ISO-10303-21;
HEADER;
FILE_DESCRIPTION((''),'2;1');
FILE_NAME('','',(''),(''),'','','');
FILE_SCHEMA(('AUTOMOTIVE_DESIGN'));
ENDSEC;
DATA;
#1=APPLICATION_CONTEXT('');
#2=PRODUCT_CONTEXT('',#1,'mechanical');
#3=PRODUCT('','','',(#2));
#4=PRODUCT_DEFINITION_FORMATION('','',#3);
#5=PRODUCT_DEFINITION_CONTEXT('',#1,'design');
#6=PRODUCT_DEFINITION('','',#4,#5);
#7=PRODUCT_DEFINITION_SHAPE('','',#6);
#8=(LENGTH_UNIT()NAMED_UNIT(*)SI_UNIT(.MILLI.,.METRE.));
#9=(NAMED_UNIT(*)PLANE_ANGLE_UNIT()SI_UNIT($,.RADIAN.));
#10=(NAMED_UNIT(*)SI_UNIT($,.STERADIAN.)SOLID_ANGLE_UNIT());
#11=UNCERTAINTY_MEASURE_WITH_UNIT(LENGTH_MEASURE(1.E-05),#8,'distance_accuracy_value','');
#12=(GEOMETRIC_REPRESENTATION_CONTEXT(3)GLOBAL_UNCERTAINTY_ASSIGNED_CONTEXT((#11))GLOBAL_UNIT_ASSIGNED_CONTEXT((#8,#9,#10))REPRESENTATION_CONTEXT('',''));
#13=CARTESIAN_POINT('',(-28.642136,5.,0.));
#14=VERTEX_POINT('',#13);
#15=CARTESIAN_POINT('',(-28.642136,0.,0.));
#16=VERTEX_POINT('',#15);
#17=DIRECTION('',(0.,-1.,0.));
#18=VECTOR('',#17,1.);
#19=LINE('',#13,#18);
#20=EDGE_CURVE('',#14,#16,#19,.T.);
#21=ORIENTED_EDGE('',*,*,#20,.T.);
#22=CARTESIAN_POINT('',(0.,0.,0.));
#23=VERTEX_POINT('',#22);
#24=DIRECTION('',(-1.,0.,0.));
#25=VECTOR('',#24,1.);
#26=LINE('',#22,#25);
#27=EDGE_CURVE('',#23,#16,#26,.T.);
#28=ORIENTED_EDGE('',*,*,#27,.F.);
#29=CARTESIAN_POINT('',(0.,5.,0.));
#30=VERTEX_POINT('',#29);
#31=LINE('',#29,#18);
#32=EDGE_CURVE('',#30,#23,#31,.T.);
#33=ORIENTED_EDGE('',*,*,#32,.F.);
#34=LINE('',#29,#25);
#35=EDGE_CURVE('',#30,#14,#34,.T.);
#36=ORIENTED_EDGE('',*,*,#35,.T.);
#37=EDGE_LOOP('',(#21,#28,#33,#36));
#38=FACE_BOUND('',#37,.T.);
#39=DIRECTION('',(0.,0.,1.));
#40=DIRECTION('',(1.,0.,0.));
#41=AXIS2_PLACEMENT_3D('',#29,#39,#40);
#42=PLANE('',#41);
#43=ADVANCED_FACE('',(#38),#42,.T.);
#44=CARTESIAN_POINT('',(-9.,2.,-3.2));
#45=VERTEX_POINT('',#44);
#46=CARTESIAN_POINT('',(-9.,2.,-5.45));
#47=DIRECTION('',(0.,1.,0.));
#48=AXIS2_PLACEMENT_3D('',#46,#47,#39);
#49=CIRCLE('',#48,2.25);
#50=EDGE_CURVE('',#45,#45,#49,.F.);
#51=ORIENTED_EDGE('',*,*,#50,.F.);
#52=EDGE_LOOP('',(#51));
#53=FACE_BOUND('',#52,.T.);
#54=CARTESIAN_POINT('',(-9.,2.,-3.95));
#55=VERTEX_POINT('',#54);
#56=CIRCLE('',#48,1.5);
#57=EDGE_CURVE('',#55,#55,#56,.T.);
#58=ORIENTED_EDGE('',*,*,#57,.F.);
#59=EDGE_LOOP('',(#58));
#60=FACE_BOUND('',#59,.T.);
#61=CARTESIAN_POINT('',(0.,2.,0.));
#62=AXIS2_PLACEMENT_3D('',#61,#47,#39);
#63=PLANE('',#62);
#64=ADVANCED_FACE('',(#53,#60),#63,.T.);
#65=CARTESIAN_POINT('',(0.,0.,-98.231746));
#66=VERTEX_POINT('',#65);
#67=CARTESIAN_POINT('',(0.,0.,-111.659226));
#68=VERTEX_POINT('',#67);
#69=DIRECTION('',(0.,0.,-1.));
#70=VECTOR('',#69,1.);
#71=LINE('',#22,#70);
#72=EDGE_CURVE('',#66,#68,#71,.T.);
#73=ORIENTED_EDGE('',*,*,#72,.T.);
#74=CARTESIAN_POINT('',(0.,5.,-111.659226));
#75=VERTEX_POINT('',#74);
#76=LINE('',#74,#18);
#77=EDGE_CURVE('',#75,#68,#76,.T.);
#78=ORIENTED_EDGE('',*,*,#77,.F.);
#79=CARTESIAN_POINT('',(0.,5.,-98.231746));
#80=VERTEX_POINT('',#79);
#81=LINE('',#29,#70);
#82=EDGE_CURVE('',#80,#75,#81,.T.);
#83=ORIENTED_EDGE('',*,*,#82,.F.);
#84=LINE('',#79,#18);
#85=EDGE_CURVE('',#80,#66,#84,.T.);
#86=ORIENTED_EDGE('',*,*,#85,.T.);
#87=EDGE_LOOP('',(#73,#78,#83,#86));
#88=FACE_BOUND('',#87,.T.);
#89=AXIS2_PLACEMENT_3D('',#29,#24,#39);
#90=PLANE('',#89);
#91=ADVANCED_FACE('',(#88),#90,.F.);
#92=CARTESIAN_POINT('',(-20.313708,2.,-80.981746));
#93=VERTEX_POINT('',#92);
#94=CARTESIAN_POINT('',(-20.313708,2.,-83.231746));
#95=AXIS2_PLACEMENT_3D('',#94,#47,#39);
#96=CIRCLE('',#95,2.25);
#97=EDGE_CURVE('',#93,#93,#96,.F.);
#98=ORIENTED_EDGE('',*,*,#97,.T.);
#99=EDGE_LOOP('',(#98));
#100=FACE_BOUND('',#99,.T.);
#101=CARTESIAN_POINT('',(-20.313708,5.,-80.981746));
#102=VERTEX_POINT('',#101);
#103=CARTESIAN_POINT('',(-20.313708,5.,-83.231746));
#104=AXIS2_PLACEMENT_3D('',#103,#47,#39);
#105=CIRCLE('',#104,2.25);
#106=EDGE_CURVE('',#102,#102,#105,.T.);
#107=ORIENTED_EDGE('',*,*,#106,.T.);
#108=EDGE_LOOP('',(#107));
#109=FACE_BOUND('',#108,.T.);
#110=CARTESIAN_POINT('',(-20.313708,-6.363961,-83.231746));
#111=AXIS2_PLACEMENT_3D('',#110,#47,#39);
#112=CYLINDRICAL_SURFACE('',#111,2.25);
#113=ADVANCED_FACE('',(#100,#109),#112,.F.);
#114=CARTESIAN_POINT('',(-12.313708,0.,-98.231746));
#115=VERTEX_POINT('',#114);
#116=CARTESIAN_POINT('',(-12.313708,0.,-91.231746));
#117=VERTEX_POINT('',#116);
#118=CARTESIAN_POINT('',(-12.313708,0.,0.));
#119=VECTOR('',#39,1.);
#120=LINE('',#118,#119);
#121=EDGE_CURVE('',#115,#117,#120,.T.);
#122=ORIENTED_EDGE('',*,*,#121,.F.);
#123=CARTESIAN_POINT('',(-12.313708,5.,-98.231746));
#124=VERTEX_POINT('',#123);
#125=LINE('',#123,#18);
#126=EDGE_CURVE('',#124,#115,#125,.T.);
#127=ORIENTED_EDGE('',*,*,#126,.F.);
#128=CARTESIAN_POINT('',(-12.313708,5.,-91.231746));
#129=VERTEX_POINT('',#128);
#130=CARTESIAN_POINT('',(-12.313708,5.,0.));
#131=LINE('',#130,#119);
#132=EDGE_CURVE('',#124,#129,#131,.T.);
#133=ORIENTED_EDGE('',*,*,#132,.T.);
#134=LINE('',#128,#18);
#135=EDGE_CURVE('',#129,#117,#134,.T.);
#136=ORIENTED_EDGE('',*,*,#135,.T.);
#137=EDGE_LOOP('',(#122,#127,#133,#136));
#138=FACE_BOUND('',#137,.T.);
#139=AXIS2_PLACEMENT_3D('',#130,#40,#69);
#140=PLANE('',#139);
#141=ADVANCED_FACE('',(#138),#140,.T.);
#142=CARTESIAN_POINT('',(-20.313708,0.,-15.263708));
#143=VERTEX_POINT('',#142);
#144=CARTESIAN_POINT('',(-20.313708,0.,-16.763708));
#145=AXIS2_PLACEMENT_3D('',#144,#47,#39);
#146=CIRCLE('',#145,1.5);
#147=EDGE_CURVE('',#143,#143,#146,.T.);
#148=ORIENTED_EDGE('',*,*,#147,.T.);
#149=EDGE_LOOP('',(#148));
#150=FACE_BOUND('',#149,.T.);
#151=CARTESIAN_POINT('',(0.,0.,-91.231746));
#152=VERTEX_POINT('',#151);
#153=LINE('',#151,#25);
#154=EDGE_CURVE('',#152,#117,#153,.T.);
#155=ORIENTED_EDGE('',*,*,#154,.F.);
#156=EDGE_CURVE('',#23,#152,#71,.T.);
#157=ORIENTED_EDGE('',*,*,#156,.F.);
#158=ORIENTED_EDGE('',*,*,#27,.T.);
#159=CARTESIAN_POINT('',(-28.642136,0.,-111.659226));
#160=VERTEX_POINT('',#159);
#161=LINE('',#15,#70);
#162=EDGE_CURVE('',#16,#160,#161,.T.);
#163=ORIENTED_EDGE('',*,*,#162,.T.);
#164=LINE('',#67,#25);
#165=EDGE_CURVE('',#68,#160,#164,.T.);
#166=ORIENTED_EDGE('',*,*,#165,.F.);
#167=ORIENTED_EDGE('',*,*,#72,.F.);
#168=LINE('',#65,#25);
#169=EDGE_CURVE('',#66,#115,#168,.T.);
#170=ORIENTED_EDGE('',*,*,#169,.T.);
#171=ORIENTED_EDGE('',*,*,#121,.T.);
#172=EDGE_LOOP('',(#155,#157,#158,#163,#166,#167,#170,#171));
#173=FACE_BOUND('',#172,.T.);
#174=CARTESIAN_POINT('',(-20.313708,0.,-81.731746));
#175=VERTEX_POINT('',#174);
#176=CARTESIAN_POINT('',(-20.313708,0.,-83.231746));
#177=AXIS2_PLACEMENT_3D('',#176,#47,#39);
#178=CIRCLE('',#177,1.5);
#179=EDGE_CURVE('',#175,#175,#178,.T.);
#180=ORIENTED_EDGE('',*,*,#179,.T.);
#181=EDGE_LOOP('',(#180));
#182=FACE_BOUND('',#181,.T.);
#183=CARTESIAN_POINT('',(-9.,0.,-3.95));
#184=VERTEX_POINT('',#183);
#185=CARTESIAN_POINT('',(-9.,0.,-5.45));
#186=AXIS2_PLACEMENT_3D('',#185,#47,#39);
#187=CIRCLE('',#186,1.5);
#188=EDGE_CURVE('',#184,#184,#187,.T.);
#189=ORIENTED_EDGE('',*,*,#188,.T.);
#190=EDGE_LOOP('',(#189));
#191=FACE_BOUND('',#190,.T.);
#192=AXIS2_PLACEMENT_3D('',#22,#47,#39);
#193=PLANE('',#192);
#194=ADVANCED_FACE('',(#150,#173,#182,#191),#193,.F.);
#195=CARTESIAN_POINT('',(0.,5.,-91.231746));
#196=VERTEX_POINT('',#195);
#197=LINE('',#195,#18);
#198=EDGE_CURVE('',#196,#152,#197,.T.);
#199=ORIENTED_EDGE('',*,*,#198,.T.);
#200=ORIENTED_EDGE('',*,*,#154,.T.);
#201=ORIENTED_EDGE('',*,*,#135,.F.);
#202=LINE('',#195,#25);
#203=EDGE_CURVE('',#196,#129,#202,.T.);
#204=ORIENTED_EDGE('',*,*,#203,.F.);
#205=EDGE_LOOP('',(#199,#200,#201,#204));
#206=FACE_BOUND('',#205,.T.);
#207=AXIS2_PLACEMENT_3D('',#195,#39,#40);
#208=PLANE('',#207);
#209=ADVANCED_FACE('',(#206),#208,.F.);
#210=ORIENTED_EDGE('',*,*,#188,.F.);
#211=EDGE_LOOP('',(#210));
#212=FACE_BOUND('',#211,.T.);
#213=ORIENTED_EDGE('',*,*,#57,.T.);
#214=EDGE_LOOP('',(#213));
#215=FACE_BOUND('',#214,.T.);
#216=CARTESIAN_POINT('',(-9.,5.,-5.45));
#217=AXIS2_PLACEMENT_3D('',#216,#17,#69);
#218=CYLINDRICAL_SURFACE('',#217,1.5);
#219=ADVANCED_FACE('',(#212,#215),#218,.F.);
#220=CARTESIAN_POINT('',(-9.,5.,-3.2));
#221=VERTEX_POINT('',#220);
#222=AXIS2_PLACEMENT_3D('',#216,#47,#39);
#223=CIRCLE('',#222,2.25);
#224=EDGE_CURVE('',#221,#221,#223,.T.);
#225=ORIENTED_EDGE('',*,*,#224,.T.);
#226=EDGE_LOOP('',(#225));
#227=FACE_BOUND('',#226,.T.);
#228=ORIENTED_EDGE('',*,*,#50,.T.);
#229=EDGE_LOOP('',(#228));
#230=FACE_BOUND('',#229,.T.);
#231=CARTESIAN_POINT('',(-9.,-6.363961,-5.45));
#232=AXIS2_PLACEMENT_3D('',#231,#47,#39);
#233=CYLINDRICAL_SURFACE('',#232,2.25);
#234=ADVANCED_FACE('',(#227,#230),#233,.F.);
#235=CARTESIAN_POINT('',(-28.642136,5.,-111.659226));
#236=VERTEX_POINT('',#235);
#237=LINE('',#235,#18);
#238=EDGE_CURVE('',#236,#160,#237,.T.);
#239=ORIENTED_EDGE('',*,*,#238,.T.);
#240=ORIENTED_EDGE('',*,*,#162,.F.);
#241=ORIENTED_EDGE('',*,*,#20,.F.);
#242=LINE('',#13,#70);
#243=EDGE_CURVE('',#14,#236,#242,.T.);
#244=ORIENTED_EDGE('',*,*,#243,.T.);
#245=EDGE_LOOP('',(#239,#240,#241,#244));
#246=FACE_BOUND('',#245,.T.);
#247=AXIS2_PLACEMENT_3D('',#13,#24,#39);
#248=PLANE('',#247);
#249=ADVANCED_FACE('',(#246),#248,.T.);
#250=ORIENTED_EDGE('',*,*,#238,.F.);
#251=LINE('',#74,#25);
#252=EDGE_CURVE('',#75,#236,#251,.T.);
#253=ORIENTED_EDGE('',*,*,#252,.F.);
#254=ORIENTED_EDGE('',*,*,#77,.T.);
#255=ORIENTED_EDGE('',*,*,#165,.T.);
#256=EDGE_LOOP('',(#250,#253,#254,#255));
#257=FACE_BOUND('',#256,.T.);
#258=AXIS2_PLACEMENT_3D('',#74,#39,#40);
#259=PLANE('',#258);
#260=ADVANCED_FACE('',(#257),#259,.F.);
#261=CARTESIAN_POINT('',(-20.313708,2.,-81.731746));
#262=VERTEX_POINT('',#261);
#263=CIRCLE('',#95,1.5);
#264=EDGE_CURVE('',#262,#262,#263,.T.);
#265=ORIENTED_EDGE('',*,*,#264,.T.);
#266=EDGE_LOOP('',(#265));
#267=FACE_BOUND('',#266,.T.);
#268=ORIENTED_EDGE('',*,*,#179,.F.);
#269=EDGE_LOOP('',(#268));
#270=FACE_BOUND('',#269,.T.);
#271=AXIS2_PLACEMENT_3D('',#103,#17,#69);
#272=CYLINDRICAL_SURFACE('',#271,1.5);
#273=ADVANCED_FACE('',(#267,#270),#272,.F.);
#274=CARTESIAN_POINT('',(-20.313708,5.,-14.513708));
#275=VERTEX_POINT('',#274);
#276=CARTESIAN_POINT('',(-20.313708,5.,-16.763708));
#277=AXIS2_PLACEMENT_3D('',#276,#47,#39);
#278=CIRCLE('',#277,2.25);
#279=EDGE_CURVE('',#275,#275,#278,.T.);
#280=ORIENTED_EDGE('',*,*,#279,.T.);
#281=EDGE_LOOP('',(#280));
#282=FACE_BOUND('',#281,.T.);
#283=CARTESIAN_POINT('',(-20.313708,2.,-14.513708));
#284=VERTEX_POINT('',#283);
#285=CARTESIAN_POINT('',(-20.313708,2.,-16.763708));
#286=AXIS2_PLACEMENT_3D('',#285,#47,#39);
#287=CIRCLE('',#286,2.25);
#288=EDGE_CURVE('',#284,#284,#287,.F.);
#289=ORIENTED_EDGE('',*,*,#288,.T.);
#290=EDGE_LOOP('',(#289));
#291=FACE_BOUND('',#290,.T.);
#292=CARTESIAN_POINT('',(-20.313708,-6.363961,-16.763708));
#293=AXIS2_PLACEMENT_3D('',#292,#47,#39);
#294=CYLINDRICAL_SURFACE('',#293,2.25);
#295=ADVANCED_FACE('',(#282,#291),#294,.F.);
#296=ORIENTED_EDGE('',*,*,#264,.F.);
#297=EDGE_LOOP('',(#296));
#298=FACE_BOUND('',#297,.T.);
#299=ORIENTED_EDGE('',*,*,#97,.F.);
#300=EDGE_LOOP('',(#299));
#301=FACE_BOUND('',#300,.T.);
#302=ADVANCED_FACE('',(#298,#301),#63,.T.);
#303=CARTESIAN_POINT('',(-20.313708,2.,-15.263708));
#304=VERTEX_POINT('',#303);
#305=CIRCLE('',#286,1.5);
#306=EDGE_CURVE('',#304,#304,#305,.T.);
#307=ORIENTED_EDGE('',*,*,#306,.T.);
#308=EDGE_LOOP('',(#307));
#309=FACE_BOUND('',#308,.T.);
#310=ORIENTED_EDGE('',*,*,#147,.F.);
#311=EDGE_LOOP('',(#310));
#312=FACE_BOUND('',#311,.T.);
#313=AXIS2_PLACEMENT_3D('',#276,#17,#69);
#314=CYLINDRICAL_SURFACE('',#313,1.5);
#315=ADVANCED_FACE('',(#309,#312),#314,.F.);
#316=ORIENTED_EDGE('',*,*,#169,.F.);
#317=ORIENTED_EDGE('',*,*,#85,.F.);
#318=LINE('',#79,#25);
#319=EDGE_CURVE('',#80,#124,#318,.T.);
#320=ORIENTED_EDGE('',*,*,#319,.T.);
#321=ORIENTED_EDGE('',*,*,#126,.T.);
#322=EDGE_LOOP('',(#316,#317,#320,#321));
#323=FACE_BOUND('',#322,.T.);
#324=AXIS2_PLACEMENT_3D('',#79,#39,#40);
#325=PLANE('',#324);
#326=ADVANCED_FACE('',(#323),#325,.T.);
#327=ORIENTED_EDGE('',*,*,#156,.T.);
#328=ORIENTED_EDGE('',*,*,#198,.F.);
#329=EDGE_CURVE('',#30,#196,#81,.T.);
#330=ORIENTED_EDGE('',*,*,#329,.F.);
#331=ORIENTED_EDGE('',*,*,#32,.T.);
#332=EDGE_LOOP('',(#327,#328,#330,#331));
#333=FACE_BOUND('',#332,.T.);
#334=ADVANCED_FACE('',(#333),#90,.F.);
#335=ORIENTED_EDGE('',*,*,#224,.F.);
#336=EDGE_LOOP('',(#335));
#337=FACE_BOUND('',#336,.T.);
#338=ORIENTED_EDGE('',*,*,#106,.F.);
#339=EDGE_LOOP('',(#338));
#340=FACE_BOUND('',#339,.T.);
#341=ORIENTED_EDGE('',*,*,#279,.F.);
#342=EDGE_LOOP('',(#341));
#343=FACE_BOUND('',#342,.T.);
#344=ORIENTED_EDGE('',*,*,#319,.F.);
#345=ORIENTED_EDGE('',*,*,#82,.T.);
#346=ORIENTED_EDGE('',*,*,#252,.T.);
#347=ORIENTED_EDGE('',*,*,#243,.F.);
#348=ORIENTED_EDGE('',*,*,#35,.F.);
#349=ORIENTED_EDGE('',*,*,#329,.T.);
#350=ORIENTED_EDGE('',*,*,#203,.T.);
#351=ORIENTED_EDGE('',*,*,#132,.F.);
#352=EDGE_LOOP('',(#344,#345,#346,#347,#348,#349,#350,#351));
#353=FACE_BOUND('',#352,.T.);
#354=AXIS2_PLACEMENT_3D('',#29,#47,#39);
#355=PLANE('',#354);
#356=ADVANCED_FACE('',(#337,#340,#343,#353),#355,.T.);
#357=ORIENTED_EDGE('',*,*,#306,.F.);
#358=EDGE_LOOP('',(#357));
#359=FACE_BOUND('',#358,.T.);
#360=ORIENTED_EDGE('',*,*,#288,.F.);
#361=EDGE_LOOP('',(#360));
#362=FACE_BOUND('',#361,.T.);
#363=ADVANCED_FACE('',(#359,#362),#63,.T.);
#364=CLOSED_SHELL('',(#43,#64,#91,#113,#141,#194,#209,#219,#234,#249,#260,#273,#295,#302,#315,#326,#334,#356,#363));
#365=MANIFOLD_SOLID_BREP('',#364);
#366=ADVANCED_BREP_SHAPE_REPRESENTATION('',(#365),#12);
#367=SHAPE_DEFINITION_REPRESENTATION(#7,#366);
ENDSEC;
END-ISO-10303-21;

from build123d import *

# Parameters (mm, degrees)
EXTRUDE_1_DEPTH     = 5
SKETCH_1_12_R       = 1.5
CUT_EXTRUDE_1_DEPTH = 116.382644488
CUT_EXTRUDE_START   = 5
SKETCH_1_13_R       = 2.25
CUT_EXTRUDE_3_DEPTH = 3


with BuildPart() as part:
    # 草图1 → 凸台-拉伸1 (new body)
    with BuildSketch(Plane(origin=(0, 0, 0), x_dir=(1, 0, 0), z_dir=(0, 1, 0))):
        Polygon((-28.642135833, 0), (0, 0), (0, 91.231745931), (-12.313708499, 91.231745931), (-12.313708499, 98.231745931), (0, 98.231745931), (0, 111.65922579), (-28.642135833, 111.65922579), align=None)
    extrude(amount=EXTRUDE_1_DEPTH)

    # 草图1<12> → 切除-拉伸1 (cut, through all)
    with BuildSketch(Plane(origin=(0, 0, 0), x_dir=(1, 0, 0), z_dir=(0, 1, 0))):
        with Locations(Location((-20.313708499, 83.231745931, 0), (0, 0, 270))):
            Circle(SKETCH_1_12_R)
        with Locations(Location((-20.313708499, 16.763708499, 0), (0, 0, 270))):
            Circle(SKETCH_1_12_R)
        with Locations(Location((-9, 5.45, 0), (0, 0, 270))):
            Circle(SKETCH_1_12_R)
    extrude(amount=CUT_EXTRUDE_1_DEPTH, mode=Mode.SUBTRACT)

    # 草图1<13> → 切除-拉伸3 (cut)
    with BuildSketch(Plane(origin=(0, 0, 0), x_dir=(1, 0, 0), z_dir=(0, 1, 0)).offset(CUT_EXTRUDE_START)):
        with Locations(Location((-20.313708499, 83.231745931, 0), (0, 0, 270))):
            Circle(SKETCH_1_13_R)
        with Locations(Location((-9, 5.45, 0), (0, 0, 270))):
            Circle(SKETCH_1_13_R)
        with Locations(Location((-20.313708499, 16.763708499, 0), (0, 0, 270))):
            Circle(SKETCH_1_13_R)
    extrude(amount=-CUT_EXTRUDE_3_DEPTH, mode=Mode.SUBTRACT)


solid = part.part
